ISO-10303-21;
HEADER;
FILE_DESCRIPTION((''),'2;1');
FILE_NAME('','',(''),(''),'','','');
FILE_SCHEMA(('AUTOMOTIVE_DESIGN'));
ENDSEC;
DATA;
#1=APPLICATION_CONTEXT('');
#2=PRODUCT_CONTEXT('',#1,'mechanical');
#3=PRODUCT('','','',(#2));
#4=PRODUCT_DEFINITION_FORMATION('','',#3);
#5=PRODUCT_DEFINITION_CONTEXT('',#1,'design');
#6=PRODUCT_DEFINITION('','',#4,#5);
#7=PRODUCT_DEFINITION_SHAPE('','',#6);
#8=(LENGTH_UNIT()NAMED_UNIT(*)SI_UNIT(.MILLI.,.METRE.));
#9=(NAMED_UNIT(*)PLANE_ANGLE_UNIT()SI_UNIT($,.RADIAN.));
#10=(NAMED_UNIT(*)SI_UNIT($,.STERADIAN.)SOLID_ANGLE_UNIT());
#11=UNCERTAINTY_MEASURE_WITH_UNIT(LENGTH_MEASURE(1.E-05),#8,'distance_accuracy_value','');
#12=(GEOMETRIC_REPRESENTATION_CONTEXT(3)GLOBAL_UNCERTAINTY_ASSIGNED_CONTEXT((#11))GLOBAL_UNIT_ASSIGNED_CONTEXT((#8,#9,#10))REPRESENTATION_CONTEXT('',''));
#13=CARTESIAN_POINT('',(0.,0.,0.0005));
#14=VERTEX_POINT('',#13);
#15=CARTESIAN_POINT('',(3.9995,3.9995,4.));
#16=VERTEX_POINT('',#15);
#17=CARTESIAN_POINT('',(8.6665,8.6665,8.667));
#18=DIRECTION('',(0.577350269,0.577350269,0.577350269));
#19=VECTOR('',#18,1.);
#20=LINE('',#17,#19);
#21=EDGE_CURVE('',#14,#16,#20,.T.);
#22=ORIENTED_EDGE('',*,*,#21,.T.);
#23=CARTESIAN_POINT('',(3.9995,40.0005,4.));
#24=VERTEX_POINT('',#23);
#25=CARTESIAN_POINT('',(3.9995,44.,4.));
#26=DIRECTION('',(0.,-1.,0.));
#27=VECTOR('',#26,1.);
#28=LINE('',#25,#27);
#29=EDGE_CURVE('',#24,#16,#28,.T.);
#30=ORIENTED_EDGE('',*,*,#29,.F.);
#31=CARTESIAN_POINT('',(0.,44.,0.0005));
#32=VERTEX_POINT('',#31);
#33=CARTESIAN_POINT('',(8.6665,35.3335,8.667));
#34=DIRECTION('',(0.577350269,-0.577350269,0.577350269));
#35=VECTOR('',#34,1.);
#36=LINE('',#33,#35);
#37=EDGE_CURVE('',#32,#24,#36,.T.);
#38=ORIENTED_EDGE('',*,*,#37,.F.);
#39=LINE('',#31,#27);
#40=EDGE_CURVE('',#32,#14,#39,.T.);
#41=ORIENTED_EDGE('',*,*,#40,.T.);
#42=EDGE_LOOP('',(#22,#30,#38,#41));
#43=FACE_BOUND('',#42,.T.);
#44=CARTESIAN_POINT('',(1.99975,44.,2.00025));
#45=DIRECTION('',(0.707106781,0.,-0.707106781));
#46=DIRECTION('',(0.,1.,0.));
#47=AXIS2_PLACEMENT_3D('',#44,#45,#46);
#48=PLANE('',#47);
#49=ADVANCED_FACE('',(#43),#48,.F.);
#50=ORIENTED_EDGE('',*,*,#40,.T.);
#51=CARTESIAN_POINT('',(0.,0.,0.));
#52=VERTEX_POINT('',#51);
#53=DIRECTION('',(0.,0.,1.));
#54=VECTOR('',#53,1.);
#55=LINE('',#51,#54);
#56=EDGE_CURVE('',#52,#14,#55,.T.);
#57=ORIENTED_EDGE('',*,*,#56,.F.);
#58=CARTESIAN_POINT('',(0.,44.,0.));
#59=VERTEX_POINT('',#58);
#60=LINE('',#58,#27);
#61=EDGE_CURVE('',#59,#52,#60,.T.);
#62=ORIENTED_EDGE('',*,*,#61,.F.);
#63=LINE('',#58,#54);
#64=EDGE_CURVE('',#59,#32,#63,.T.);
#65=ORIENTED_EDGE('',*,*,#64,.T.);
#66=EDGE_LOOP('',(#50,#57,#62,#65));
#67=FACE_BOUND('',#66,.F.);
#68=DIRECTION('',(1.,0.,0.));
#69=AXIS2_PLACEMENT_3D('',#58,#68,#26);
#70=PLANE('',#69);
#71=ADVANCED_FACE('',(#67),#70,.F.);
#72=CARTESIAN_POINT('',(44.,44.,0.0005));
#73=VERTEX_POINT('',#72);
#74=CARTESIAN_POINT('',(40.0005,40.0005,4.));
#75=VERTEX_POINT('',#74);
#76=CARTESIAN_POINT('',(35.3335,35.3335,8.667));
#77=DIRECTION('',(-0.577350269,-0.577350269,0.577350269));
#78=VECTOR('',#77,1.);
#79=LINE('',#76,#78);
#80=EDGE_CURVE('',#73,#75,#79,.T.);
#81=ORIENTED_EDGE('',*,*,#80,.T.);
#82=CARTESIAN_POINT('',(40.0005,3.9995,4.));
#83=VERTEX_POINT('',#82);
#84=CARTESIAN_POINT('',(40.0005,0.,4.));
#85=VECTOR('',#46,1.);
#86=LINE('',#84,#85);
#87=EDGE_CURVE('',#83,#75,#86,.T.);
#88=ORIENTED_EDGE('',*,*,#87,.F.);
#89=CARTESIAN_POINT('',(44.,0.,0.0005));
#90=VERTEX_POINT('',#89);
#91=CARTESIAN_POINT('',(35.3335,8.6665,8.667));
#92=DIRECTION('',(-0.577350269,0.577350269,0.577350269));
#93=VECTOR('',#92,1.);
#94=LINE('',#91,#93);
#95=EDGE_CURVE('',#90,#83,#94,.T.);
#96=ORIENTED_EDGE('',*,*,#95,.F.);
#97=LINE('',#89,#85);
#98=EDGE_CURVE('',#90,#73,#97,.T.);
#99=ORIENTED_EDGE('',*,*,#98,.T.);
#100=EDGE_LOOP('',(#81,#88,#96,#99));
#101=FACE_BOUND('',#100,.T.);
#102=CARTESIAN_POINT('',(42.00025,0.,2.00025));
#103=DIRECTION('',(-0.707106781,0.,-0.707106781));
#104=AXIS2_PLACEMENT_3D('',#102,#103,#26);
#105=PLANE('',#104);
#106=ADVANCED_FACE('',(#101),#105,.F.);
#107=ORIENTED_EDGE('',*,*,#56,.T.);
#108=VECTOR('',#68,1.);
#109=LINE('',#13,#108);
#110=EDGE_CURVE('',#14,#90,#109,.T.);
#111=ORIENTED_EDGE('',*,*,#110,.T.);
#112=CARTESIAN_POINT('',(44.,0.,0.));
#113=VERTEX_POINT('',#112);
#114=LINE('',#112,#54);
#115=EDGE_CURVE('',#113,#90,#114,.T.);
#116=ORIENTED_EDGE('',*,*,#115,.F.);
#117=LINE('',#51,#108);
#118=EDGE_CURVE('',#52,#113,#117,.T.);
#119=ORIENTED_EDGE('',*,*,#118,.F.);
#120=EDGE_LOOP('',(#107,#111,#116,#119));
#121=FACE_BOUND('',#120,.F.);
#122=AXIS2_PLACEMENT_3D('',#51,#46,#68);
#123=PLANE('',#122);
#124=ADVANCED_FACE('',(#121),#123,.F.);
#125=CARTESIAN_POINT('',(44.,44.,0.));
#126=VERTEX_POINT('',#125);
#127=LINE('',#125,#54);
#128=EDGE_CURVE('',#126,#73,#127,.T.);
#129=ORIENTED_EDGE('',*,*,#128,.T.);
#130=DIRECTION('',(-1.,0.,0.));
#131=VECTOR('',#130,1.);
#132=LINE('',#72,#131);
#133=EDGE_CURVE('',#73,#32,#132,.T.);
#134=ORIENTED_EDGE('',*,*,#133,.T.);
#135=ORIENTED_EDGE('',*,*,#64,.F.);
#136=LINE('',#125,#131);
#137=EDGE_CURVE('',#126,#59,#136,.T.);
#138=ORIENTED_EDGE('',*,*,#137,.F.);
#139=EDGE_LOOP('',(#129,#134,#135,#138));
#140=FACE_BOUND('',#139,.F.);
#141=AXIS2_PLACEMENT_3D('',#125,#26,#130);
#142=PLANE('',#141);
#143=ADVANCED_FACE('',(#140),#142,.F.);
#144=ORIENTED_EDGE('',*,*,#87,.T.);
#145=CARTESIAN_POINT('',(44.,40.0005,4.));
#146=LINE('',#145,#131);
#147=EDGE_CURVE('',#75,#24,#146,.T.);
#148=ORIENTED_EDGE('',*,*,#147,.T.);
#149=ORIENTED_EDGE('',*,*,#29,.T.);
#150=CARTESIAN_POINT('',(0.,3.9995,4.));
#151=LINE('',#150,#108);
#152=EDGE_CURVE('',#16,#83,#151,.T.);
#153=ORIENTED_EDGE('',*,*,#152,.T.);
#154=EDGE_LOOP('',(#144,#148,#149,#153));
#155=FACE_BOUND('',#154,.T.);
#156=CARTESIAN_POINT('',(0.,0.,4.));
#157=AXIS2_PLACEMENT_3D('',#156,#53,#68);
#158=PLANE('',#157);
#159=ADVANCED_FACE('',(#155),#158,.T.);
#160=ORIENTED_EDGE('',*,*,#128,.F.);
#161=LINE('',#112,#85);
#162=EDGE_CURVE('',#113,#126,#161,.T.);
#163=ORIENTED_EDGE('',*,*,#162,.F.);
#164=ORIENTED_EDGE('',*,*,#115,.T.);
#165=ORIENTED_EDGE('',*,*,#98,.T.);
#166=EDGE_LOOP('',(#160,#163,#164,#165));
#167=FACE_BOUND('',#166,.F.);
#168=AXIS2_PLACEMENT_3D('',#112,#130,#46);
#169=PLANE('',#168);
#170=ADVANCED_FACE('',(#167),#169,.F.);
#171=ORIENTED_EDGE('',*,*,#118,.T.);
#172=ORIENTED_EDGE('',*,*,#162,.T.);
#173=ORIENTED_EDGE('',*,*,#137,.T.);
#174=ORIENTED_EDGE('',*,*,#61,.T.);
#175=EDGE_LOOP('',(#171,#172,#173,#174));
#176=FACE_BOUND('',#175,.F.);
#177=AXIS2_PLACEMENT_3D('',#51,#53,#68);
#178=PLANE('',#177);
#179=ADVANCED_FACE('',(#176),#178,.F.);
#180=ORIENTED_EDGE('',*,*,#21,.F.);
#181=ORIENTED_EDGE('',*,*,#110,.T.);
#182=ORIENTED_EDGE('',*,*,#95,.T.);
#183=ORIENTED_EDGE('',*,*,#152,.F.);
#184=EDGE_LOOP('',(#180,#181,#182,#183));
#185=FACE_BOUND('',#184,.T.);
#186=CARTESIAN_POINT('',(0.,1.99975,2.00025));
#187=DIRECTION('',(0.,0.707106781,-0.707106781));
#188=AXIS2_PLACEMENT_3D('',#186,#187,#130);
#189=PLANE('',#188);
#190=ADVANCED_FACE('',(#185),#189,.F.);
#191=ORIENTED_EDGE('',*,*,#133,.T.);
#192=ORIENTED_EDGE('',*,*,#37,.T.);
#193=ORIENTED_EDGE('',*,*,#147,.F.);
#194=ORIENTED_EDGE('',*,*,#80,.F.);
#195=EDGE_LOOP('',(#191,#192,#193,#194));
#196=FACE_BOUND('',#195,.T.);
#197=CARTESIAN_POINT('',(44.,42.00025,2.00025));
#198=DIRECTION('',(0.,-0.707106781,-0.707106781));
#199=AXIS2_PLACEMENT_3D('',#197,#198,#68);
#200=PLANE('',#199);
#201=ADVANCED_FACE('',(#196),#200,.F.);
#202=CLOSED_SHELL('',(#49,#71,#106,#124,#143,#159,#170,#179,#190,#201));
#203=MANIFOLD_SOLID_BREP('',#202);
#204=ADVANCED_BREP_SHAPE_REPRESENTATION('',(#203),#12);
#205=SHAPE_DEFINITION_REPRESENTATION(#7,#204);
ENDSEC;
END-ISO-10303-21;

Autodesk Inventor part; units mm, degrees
ref_plane "YZ Plane" through (0, 0, 0) normal (1, 0, 0) x (0, 1, 0)
ref_plane "XZ Plane" through (0, 0, 0) normal (0, 1, 0) x (-1, 0, 0)
ref_plane "XY Plane" through (0, 0, 0) normal (0, 0, 1) x (1, 0, 0)
sketch "Sketch1" plane through (0, 0, 0) normal (0, 0, 1) x (1, 0, 0)
  line L0 (0, 0) -> (44, 0)
  line L1 (44, 0) -> (44, 44)
  line L2 (44, 44) -> (0, 44)
  line L3 (0, 44) -> (0, 0)
  dimension "d0" = 44
  dimension "d1" = 44
extrude "Extrusion1" add sketch "Sketch1" along normal blind 4
chamfer "Chamfer1" distance 4 angle 45 4 edges at (22, 44, 4) (44, 22, 4) (22, 0, 4) (0, 22, 4)
properties part number "clear-square"
